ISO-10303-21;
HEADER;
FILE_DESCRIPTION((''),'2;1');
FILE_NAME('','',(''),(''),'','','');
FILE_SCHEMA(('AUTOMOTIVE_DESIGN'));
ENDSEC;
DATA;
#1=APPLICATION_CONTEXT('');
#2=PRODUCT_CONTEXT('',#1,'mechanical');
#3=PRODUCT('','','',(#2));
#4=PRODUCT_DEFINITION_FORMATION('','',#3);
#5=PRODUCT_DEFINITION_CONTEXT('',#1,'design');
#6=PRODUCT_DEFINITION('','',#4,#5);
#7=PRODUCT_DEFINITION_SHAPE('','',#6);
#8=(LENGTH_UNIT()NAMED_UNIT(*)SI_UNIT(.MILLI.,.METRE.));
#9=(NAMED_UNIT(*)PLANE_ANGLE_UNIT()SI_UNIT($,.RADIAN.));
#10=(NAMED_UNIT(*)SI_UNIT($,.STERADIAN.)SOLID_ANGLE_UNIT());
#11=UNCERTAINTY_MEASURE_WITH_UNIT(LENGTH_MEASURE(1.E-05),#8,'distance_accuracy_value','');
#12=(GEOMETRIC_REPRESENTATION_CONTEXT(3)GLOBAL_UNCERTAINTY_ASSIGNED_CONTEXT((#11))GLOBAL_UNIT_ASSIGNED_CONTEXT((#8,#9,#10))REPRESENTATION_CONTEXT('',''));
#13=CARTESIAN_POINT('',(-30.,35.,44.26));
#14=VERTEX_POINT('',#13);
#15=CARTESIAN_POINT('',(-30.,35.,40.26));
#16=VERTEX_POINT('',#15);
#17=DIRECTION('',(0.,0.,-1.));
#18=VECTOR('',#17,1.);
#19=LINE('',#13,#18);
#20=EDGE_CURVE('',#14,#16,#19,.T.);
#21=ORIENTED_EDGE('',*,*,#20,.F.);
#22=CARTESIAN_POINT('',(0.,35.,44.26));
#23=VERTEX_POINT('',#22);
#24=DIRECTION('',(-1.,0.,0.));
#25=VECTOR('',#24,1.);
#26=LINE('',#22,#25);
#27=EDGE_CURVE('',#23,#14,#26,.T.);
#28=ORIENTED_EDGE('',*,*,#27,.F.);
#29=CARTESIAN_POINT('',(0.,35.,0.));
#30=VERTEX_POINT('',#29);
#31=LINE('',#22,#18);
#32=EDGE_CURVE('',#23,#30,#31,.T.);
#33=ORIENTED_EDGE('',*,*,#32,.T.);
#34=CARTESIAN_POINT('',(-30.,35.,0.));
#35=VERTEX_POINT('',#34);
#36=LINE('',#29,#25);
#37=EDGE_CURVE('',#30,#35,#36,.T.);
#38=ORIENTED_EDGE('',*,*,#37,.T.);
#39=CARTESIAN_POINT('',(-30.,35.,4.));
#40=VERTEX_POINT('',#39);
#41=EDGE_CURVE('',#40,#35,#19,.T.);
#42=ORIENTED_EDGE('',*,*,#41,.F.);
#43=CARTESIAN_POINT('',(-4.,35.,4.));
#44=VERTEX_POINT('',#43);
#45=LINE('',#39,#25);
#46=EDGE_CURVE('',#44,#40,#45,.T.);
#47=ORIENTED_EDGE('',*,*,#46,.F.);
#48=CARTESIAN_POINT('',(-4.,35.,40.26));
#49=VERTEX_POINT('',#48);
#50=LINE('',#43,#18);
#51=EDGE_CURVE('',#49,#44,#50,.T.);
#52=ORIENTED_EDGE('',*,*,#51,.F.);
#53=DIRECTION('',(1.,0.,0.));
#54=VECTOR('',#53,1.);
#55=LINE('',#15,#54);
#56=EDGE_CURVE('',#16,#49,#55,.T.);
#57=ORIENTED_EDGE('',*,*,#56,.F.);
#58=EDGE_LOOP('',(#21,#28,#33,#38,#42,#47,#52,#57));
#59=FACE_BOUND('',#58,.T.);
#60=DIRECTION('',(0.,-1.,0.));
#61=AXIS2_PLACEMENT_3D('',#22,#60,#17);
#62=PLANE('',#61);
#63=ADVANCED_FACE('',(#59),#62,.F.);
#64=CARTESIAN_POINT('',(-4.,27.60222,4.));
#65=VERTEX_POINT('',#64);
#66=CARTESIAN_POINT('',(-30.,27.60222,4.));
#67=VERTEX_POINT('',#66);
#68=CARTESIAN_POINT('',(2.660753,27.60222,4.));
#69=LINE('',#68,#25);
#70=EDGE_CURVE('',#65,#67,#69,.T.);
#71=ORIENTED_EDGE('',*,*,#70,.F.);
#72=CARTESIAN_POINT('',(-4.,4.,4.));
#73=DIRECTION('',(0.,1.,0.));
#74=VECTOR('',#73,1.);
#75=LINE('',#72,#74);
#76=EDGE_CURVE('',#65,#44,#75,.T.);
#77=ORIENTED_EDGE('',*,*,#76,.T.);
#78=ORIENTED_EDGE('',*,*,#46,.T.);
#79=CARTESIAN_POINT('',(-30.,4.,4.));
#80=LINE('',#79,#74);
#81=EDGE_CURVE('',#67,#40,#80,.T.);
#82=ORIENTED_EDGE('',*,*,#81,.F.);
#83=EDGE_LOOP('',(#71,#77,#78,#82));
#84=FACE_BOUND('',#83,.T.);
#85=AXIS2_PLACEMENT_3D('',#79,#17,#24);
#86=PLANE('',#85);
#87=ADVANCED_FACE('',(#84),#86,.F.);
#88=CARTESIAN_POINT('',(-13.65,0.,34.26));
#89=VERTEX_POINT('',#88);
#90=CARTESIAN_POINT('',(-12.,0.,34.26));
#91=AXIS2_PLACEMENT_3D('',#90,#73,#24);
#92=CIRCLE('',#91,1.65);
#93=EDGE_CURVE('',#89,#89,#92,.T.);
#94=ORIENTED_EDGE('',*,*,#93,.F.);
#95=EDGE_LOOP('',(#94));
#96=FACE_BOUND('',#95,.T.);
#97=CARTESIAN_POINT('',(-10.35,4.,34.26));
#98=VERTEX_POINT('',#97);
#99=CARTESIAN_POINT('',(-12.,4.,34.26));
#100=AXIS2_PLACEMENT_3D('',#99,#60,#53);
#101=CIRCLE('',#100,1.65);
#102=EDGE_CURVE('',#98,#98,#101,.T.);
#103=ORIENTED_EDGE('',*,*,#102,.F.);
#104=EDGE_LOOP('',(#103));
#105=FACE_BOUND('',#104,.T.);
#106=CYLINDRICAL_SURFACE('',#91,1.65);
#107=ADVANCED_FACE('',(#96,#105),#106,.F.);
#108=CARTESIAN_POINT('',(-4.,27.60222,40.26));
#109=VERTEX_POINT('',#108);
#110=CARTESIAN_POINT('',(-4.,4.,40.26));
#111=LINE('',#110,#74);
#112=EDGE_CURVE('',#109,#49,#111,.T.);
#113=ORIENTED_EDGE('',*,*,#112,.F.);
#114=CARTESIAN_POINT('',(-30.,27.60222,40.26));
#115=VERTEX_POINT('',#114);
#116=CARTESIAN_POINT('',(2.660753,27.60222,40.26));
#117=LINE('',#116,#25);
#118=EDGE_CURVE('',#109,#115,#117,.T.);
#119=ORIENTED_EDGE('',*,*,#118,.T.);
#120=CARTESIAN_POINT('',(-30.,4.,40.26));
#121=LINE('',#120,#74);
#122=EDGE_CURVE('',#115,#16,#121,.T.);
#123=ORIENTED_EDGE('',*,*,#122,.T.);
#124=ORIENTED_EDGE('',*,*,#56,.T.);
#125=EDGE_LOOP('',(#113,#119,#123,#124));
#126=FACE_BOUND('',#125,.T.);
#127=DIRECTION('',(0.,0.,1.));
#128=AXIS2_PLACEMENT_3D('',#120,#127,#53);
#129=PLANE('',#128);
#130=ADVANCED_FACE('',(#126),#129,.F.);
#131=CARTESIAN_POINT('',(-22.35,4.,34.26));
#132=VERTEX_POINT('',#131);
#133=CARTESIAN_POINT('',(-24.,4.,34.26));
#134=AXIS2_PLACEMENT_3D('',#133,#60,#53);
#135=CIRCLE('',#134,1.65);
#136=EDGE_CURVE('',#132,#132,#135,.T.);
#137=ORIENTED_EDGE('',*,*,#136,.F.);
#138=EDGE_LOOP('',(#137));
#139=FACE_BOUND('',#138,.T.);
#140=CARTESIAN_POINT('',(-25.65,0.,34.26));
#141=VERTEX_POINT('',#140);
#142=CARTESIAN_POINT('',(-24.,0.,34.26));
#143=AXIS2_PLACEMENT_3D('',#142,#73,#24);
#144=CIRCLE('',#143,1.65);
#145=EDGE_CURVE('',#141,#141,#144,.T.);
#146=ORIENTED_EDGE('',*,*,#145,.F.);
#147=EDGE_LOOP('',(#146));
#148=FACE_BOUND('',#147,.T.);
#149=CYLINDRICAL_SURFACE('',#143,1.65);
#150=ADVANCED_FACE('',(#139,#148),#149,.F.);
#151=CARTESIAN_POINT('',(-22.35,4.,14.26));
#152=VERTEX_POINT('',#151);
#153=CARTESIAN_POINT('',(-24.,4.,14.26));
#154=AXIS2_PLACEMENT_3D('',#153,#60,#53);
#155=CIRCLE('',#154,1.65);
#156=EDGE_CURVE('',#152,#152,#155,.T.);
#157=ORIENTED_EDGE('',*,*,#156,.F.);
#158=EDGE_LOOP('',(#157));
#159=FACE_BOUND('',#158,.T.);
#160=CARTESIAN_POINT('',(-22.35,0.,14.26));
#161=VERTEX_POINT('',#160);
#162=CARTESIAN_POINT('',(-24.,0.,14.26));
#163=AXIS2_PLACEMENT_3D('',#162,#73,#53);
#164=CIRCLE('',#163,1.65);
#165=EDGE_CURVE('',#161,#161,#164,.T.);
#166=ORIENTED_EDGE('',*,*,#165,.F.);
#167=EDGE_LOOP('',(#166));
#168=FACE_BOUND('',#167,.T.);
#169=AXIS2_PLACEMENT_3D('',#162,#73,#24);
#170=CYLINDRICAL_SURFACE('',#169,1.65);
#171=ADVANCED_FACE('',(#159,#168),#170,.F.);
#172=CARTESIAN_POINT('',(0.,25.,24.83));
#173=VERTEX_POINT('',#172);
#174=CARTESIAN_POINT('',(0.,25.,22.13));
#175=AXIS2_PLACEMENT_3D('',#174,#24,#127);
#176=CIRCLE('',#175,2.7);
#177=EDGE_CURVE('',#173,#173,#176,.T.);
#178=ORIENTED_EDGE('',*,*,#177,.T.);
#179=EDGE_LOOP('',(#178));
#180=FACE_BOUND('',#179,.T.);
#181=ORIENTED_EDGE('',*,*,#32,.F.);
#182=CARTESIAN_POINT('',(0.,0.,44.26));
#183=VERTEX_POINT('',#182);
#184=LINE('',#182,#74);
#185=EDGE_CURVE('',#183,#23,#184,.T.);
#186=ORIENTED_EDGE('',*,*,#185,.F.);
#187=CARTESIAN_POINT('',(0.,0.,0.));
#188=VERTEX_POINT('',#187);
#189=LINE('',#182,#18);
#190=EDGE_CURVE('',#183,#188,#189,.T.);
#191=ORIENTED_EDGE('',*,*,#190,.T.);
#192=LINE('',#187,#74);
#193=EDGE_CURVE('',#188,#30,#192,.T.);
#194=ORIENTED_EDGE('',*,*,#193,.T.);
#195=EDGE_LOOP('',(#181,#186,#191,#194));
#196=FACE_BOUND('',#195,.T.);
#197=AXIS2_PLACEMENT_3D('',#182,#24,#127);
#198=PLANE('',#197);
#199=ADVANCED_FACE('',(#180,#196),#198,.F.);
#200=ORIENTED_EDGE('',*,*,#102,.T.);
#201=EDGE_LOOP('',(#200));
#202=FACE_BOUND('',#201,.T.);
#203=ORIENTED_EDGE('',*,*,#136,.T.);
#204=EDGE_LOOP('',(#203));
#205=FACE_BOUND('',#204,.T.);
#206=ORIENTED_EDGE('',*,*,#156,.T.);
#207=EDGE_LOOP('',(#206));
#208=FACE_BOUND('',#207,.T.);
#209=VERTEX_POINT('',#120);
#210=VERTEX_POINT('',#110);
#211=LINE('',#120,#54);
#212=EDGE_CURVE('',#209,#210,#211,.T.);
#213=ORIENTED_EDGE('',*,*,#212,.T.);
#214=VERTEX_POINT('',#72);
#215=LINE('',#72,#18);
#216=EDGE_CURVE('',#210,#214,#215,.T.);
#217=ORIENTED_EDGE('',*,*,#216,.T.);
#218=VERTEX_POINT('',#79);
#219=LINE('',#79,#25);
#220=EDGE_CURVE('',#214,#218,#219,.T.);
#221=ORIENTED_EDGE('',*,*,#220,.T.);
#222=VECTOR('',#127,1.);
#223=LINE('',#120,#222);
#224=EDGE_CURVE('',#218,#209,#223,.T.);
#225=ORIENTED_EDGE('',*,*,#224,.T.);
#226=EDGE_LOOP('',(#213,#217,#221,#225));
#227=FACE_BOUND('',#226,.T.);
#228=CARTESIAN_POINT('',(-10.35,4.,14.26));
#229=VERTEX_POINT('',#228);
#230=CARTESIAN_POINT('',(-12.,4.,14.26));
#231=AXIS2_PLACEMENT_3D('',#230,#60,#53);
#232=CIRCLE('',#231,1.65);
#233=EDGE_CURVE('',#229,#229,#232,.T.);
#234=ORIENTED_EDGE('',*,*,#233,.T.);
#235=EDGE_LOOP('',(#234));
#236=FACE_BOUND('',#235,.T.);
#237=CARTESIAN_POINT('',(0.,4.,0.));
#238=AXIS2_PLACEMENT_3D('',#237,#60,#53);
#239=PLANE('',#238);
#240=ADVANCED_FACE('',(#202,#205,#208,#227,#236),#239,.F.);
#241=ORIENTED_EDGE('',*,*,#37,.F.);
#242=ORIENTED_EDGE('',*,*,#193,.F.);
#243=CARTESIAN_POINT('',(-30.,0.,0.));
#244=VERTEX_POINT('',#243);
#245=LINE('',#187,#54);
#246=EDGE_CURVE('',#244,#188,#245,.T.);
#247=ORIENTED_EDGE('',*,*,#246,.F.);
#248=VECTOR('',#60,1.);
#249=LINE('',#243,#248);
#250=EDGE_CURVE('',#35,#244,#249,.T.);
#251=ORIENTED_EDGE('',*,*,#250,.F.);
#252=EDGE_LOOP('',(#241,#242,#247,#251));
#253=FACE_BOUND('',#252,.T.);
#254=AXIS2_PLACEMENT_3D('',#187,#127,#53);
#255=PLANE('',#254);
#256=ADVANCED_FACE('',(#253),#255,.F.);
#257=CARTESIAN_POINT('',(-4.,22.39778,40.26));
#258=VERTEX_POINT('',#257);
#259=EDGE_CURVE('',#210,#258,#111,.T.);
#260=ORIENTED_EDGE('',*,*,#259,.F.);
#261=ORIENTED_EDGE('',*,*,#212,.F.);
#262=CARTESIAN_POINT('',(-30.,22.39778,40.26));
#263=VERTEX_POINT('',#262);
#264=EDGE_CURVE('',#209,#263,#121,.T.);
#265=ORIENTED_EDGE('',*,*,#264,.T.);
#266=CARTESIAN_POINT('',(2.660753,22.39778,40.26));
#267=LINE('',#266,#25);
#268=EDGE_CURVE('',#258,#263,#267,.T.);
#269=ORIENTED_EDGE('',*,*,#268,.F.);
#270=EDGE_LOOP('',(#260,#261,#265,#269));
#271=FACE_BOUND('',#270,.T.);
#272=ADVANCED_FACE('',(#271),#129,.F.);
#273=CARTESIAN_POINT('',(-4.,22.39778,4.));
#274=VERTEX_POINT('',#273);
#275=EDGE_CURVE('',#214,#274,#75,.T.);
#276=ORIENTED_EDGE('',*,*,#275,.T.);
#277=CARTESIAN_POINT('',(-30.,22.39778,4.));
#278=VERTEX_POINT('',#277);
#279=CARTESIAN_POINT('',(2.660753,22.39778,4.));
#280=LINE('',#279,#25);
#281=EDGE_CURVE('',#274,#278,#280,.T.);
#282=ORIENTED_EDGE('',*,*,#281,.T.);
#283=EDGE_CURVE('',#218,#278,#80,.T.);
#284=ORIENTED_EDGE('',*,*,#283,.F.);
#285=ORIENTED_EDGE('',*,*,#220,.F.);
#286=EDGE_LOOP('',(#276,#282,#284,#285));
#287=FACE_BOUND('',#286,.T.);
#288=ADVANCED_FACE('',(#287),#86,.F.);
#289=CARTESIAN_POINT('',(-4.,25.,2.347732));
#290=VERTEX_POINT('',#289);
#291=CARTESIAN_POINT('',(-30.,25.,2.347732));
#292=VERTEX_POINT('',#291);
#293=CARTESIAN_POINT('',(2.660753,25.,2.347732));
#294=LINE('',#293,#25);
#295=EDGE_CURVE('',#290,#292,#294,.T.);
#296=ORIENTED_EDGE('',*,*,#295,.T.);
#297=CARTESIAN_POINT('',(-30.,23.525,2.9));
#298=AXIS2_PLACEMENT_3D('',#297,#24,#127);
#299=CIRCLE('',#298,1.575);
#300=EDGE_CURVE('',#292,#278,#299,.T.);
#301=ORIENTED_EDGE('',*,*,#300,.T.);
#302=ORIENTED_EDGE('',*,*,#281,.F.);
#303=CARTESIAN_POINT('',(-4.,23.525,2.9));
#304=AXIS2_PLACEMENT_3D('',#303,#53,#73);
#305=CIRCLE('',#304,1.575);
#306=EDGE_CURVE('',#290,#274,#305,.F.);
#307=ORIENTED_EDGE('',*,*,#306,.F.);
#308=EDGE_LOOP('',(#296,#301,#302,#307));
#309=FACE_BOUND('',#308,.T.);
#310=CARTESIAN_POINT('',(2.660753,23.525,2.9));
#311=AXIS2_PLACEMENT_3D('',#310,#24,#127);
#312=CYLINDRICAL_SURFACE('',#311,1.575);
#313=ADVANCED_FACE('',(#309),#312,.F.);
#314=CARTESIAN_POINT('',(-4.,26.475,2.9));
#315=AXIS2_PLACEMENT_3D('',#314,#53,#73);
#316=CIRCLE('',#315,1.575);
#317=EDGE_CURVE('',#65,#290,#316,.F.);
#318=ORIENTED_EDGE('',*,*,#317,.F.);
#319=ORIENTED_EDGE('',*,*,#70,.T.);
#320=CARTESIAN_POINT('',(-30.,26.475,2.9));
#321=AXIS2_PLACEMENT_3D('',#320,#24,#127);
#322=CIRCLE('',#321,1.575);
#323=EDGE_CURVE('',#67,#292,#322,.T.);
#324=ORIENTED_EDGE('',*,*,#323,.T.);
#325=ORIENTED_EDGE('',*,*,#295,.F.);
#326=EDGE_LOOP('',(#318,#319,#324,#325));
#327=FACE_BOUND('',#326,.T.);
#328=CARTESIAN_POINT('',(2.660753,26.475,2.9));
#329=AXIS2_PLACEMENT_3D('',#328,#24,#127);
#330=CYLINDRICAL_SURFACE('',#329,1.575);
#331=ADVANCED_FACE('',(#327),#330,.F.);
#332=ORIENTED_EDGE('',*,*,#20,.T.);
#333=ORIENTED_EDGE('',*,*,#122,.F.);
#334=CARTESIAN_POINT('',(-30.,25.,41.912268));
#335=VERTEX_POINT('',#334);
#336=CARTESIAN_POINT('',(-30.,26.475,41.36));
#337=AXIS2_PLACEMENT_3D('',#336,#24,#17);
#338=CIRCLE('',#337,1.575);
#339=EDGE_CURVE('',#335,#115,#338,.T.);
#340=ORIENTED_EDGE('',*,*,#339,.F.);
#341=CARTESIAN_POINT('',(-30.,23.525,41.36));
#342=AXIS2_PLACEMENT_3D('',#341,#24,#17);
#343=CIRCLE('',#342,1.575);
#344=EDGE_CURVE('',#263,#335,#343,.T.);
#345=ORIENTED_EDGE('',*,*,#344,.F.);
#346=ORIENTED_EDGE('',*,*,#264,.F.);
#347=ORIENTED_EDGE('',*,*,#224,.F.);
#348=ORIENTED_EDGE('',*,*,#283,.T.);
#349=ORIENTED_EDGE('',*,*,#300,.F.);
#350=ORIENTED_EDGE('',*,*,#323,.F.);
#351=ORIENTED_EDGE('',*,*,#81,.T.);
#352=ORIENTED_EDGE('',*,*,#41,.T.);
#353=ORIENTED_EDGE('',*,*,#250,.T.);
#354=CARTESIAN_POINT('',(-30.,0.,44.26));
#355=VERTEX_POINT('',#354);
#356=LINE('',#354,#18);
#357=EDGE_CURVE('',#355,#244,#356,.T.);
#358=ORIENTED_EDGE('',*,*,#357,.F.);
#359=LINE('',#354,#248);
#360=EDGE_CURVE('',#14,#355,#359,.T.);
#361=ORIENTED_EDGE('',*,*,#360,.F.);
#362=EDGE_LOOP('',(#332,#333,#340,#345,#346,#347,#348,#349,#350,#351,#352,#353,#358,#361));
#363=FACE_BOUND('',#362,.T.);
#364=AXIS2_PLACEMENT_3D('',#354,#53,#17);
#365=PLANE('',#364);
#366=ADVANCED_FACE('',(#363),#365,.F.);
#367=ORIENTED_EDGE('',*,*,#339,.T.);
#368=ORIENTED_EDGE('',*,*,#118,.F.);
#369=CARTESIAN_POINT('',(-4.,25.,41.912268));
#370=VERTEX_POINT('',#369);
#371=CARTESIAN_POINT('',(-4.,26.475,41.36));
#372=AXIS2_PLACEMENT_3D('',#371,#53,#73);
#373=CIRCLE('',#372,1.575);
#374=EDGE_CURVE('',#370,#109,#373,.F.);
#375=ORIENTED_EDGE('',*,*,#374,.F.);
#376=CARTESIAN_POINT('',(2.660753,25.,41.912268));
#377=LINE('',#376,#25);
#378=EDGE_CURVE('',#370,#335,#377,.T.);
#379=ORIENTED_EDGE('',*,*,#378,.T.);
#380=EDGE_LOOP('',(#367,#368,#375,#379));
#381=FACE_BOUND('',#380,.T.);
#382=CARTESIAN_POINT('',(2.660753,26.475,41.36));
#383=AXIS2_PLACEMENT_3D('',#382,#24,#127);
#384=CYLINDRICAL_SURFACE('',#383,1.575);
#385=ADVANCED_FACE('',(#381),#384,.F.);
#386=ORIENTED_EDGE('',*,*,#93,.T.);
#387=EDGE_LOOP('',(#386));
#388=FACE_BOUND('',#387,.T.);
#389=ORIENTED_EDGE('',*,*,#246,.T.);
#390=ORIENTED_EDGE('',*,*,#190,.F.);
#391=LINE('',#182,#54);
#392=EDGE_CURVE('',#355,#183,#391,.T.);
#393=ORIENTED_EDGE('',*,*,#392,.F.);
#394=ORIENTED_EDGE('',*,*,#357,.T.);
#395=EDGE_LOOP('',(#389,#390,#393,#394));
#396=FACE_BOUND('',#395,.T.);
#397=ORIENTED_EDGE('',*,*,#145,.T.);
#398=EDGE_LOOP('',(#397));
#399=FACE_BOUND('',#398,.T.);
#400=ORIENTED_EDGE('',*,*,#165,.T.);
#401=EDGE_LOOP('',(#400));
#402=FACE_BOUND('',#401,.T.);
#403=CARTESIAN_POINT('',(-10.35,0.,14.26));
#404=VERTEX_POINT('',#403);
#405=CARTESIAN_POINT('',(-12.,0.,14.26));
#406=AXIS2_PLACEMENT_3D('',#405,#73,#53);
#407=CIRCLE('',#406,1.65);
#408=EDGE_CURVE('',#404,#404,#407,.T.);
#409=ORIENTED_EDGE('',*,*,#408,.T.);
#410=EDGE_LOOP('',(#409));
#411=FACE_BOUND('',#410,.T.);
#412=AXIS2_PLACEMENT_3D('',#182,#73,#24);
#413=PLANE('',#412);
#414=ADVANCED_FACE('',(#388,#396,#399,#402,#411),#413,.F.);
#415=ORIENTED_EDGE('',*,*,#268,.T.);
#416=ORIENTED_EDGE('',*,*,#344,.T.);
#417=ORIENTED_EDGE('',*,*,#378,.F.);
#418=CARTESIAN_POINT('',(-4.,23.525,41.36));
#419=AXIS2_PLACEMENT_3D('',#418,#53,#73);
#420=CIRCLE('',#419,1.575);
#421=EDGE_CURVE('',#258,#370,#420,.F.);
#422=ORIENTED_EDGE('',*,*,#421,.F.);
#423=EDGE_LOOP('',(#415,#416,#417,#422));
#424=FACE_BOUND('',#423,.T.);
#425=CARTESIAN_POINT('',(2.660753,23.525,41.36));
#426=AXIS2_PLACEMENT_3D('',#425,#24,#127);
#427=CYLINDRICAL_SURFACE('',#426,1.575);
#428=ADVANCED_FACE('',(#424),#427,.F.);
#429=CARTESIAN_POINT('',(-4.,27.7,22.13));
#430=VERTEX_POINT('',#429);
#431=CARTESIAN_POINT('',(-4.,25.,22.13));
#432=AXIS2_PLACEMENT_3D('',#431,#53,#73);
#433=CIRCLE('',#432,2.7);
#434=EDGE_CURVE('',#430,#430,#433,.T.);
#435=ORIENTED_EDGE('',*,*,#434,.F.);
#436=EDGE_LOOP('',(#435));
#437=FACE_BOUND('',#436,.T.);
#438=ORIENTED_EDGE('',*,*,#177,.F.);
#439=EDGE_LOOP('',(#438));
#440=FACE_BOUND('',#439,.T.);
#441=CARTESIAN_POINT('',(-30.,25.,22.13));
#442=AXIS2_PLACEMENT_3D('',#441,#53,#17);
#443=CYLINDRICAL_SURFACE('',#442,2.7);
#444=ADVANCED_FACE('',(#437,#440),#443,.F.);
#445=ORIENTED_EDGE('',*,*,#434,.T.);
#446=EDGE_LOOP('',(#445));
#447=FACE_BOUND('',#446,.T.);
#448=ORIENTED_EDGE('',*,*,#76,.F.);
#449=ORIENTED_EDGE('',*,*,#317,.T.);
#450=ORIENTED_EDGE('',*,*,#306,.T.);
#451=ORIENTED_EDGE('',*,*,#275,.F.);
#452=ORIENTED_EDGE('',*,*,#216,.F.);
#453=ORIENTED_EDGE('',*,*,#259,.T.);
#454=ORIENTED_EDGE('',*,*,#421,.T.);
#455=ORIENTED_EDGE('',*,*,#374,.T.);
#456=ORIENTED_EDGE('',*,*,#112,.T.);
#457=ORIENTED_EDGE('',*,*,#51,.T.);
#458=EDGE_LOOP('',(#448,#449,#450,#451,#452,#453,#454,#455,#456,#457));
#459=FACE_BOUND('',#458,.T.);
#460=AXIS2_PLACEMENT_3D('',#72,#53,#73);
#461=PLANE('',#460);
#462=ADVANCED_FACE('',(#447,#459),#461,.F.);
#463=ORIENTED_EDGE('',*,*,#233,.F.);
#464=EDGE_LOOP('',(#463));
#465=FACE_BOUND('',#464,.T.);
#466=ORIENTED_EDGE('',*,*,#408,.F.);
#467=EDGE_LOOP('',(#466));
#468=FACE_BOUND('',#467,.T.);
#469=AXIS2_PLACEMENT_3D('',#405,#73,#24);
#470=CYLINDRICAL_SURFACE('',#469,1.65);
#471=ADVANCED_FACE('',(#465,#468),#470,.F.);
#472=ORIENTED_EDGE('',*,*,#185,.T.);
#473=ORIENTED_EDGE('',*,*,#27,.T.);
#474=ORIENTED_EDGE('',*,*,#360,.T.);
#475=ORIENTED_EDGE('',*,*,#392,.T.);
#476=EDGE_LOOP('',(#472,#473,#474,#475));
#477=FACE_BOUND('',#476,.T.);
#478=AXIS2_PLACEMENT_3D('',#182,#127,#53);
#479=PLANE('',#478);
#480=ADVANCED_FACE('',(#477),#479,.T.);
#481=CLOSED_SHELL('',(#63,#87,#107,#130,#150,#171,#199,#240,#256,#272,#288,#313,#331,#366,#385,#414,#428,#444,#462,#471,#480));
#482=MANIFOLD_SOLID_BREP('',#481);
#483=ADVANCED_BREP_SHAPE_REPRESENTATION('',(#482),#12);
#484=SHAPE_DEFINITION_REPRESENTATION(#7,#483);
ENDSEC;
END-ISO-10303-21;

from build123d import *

# Parameters (mm, degrees)
SKETCH1_W               = 30
SKETCH1_H               = 35
BOSS_EXTRUDE1_DEPTH     = 44.26
SKETCH2_W               = 26
SKETCH2_H               = 36.26
CUT_EXTRUDE1_DEPTH      = 31
CUT_EXTRUDE2_DEPTH      = 26
CUT_EXTRUDE3_DEPTH      = 64.905771257
CUT_EXTRUDE3_DEPTH_BACK = 64.905771257
SKETCH4_R               = 2.7
CUT_EXTRUDE7_DEPTH      = 62.805724654
CUT_EXTRUDE7_DEPTH_BACK = 62.805724654
SKETCH6_R               = 1.65


with BuildPart() as part:
    # Sketch1 → Boss-Extrude1 (new body)
    with BuildSketch(Plane.XY):
        with Locations((-15, 17.5)):
            Rectangle(SKETCH1_W, SKETCH1_H)
    extrude(amount=BOSS_EXTRUDE1_DEPTH)

    # Sketch2 → Cut-Extrude1 (cut)
    with BuildSketch(Plane(origin=(0, 35, 0), x_dir=(1, 0, 0), z_dir=(0, 1, 0))):
        with Locations((-17, -22.13)):
            Rectangle(SKETCH2_W, SKETCH2_H)
    extrude(amount=-CUT_EXTRUDE1_DEPTH, mode=Mode.SUBTRACT)

    # Sketch3 → Cut-Extrude2 (cut)
    with BuildSketch(Plane.ZY.offset(30)):
        with BuildLine():
            Line((4, 27.602220032), (4, 22.397779968))
            ThreePointArc((4, 22.397779968), (1.570379812, 22.680763567), (2.347731949, 25))
            ThreePointArc((2.347731949, 25), (1.570379812, 27.319236433), (4, 27.602220032))
        make_face()
        with BuildLine():
            Line((40.26, 27.602220032), (40.26, 22.397779968))
            ThreePointArc((40.26, 22.397779968), (42.689620188, 22.680763567), (41.912268051, 25))
            ThreePointArc((41.912268051, 25), (42.689620188, 27.319236433), (40.26, 27.602220032))
        make_face()
    extrude(amount=-CUT_EXTRUDE2_DEPTH, mode=Mode.SUBTRACT)

    # Sketch4 → Cut-Extrude3 (cut, two sides: drawn at the far end of the back side and taken through both)
    with BuildSketch(Plane(origin=(0, 0, 0), x_dir=(0, 0, -1), z_dir=(1, 0, 0)).offset(-CUT_EXTRUDE3_DEPTH_BACK)):
        with Locations(Location((-22.13, 25, 0), (0, 0, 90))):
            Circle(SKETCH4_R)
    extrude(amount=CUT_EXTRUDE3_DEPTH + CUT_EXTRUDE3_DEPTH_BACK, mode=Mode.SUBTRACT)

    # Sketch6 → Cut-Extrude7 (cut, two sides: drawn at the far end of the back side and taken through both)
    with BuildSketch(Plane(origin=(0, 4, 0), x_dir=(1, 0, 0), z_dir=(0, 1, 0)).offset(-CUT_EXTRUDE7_DEPTH_BACK)):
        with Locations(Location((-24, -34.26, 0), (0, 0, 180))):
            Circle(SKETCH6_R)
        with Locations(Location((-12, -34.26, 0), (0, 0, 180))):
            Circle(SKETCH6_R)
        with Locations((-12, -14.26)):
            Circle(SKETCH6_R)
        with Locations((-24, -14.26)):
            Circle(SKETCH6_R)
    extrude(amount=CUT_EXTRUDE7_DEPTH + CUT_EXTRUDE7_DEPTH_BACK, mode=Mode.SUBTRACT)


solid = part.part
